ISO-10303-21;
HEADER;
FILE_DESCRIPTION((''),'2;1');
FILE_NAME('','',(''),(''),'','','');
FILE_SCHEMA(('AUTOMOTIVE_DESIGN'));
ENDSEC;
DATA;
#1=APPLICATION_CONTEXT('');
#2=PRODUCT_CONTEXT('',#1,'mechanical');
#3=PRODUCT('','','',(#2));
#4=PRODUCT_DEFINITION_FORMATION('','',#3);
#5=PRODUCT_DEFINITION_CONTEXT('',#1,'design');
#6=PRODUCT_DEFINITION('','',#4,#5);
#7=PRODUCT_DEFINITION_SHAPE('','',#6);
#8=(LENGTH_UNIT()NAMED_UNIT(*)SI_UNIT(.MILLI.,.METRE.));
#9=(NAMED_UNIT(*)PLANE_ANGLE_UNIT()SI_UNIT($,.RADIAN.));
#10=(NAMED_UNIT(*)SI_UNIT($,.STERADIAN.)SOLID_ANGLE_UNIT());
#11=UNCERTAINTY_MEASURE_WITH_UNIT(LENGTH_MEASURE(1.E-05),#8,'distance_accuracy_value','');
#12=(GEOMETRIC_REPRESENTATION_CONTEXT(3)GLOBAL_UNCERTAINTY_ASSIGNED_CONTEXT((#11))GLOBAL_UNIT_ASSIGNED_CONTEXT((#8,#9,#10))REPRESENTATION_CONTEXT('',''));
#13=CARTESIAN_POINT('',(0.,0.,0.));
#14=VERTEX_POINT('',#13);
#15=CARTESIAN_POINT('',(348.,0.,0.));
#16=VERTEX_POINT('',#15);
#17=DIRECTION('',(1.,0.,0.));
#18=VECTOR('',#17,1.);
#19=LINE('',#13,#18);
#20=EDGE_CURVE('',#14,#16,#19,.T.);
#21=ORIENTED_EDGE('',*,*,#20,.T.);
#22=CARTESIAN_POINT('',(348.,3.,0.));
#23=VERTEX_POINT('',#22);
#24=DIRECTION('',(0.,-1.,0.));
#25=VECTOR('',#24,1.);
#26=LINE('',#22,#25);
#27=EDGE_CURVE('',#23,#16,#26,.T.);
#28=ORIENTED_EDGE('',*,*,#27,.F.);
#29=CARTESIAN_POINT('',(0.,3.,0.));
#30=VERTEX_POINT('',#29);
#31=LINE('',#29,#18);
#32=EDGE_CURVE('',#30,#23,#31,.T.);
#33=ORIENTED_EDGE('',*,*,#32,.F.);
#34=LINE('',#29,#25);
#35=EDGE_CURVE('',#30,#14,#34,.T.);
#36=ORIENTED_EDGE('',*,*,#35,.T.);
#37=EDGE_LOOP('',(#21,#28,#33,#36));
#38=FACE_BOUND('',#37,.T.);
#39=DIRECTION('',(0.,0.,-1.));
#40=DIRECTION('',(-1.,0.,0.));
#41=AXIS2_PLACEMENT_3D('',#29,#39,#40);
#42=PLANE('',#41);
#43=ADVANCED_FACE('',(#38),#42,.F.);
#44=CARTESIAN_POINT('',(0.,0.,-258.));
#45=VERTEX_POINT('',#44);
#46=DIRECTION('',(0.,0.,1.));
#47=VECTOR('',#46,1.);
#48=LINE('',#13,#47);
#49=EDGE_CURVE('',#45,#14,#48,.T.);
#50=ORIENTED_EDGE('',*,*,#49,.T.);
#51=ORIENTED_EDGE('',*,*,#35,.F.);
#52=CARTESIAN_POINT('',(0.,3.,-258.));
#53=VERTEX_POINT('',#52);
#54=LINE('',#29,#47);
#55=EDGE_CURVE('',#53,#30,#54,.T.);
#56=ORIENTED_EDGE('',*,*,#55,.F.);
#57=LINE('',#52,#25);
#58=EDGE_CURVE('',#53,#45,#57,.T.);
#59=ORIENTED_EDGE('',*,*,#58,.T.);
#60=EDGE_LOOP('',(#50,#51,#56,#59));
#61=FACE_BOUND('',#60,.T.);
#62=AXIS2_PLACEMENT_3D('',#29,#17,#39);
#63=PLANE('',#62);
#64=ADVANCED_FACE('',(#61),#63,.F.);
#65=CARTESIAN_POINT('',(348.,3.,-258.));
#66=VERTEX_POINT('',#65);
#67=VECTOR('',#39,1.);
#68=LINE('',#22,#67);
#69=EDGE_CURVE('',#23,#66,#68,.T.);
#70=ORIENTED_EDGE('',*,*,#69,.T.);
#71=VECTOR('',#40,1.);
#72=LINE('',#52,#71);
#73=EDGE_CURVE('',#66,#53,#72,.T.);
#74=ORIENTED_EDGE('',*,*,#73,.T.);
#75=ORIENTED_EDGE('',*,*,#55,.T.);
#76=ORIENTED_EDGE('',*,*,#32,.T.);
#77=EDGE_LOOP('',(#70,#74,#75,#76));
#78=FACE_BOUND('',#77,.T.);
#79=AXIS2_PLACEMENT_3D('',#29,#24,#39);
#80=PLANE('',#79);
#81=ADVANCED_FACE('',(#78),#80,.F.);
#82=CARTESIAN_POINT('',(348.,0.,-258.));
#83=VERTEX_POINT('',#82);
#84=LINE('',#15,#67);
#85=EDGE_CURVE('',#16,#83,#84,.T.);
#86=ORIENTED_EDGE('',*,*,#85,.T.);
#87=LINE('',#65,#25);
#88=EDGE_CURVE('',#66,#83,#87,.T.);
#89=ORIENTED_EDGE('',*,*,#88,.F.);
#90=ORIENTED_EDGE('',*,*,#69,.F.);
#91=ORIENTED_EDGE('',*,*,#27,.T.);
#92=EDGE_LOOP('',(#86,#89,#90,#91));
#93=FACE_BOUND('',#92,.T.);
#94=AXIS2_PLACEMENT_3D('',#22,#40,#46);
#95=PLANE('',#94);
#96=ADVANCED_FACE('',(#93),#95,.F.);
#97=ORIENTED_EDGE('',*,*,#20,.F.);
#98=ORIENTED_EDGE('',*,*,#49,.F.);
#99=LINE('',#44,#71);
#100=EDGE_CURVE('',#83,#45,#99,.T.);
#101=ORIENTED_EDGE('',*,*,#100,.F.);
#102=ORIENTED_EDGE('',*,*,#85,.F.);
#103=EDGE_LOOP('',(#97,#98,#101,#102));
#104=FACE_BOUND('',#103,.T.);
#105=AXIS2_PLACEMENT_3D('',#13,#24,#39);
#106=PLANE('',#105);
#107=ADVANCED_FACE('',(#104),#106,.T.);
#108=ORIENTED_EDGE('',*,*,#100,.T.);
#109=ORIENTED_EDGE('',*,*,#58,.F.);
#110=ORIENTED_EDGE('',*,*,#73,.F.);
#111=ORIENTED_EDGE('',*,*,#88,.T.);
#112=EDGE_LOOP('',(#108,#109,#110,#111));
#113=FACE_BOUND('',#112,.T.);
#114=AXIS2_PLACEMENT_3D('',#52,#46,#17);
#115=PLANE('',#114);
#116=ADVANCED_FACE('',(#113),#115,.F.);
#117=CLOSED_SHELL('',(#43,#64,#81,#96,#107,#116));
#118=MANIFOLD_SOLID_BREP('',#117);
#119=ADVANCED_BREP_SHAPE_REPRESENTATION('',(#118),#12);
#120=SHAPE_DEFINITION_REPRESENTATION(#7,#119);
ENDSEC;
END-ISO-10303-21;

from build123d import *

# Parameters (mm, degrees)
CROQUIS1_W              = 348
CROQUIS1_H              = 258
SALIENTE_EXTRUIR1_DEPTH = 3


with BuildPart() as part:
    # Croquis1 → Saliente-Extruir1 (new body)
    with BuildSketch(Plane(origin=(0, 0, 0), x_dir=(1, 0, 0), z_dir=(0, 1, 0))):
        with Locations((174, 129)):
            Rectangle(CROQUIS1_W, CROQUIS1_H)
    extrude(amount=SALIENTE_EXTRUIR1_DEPTH)


solid = part.part
